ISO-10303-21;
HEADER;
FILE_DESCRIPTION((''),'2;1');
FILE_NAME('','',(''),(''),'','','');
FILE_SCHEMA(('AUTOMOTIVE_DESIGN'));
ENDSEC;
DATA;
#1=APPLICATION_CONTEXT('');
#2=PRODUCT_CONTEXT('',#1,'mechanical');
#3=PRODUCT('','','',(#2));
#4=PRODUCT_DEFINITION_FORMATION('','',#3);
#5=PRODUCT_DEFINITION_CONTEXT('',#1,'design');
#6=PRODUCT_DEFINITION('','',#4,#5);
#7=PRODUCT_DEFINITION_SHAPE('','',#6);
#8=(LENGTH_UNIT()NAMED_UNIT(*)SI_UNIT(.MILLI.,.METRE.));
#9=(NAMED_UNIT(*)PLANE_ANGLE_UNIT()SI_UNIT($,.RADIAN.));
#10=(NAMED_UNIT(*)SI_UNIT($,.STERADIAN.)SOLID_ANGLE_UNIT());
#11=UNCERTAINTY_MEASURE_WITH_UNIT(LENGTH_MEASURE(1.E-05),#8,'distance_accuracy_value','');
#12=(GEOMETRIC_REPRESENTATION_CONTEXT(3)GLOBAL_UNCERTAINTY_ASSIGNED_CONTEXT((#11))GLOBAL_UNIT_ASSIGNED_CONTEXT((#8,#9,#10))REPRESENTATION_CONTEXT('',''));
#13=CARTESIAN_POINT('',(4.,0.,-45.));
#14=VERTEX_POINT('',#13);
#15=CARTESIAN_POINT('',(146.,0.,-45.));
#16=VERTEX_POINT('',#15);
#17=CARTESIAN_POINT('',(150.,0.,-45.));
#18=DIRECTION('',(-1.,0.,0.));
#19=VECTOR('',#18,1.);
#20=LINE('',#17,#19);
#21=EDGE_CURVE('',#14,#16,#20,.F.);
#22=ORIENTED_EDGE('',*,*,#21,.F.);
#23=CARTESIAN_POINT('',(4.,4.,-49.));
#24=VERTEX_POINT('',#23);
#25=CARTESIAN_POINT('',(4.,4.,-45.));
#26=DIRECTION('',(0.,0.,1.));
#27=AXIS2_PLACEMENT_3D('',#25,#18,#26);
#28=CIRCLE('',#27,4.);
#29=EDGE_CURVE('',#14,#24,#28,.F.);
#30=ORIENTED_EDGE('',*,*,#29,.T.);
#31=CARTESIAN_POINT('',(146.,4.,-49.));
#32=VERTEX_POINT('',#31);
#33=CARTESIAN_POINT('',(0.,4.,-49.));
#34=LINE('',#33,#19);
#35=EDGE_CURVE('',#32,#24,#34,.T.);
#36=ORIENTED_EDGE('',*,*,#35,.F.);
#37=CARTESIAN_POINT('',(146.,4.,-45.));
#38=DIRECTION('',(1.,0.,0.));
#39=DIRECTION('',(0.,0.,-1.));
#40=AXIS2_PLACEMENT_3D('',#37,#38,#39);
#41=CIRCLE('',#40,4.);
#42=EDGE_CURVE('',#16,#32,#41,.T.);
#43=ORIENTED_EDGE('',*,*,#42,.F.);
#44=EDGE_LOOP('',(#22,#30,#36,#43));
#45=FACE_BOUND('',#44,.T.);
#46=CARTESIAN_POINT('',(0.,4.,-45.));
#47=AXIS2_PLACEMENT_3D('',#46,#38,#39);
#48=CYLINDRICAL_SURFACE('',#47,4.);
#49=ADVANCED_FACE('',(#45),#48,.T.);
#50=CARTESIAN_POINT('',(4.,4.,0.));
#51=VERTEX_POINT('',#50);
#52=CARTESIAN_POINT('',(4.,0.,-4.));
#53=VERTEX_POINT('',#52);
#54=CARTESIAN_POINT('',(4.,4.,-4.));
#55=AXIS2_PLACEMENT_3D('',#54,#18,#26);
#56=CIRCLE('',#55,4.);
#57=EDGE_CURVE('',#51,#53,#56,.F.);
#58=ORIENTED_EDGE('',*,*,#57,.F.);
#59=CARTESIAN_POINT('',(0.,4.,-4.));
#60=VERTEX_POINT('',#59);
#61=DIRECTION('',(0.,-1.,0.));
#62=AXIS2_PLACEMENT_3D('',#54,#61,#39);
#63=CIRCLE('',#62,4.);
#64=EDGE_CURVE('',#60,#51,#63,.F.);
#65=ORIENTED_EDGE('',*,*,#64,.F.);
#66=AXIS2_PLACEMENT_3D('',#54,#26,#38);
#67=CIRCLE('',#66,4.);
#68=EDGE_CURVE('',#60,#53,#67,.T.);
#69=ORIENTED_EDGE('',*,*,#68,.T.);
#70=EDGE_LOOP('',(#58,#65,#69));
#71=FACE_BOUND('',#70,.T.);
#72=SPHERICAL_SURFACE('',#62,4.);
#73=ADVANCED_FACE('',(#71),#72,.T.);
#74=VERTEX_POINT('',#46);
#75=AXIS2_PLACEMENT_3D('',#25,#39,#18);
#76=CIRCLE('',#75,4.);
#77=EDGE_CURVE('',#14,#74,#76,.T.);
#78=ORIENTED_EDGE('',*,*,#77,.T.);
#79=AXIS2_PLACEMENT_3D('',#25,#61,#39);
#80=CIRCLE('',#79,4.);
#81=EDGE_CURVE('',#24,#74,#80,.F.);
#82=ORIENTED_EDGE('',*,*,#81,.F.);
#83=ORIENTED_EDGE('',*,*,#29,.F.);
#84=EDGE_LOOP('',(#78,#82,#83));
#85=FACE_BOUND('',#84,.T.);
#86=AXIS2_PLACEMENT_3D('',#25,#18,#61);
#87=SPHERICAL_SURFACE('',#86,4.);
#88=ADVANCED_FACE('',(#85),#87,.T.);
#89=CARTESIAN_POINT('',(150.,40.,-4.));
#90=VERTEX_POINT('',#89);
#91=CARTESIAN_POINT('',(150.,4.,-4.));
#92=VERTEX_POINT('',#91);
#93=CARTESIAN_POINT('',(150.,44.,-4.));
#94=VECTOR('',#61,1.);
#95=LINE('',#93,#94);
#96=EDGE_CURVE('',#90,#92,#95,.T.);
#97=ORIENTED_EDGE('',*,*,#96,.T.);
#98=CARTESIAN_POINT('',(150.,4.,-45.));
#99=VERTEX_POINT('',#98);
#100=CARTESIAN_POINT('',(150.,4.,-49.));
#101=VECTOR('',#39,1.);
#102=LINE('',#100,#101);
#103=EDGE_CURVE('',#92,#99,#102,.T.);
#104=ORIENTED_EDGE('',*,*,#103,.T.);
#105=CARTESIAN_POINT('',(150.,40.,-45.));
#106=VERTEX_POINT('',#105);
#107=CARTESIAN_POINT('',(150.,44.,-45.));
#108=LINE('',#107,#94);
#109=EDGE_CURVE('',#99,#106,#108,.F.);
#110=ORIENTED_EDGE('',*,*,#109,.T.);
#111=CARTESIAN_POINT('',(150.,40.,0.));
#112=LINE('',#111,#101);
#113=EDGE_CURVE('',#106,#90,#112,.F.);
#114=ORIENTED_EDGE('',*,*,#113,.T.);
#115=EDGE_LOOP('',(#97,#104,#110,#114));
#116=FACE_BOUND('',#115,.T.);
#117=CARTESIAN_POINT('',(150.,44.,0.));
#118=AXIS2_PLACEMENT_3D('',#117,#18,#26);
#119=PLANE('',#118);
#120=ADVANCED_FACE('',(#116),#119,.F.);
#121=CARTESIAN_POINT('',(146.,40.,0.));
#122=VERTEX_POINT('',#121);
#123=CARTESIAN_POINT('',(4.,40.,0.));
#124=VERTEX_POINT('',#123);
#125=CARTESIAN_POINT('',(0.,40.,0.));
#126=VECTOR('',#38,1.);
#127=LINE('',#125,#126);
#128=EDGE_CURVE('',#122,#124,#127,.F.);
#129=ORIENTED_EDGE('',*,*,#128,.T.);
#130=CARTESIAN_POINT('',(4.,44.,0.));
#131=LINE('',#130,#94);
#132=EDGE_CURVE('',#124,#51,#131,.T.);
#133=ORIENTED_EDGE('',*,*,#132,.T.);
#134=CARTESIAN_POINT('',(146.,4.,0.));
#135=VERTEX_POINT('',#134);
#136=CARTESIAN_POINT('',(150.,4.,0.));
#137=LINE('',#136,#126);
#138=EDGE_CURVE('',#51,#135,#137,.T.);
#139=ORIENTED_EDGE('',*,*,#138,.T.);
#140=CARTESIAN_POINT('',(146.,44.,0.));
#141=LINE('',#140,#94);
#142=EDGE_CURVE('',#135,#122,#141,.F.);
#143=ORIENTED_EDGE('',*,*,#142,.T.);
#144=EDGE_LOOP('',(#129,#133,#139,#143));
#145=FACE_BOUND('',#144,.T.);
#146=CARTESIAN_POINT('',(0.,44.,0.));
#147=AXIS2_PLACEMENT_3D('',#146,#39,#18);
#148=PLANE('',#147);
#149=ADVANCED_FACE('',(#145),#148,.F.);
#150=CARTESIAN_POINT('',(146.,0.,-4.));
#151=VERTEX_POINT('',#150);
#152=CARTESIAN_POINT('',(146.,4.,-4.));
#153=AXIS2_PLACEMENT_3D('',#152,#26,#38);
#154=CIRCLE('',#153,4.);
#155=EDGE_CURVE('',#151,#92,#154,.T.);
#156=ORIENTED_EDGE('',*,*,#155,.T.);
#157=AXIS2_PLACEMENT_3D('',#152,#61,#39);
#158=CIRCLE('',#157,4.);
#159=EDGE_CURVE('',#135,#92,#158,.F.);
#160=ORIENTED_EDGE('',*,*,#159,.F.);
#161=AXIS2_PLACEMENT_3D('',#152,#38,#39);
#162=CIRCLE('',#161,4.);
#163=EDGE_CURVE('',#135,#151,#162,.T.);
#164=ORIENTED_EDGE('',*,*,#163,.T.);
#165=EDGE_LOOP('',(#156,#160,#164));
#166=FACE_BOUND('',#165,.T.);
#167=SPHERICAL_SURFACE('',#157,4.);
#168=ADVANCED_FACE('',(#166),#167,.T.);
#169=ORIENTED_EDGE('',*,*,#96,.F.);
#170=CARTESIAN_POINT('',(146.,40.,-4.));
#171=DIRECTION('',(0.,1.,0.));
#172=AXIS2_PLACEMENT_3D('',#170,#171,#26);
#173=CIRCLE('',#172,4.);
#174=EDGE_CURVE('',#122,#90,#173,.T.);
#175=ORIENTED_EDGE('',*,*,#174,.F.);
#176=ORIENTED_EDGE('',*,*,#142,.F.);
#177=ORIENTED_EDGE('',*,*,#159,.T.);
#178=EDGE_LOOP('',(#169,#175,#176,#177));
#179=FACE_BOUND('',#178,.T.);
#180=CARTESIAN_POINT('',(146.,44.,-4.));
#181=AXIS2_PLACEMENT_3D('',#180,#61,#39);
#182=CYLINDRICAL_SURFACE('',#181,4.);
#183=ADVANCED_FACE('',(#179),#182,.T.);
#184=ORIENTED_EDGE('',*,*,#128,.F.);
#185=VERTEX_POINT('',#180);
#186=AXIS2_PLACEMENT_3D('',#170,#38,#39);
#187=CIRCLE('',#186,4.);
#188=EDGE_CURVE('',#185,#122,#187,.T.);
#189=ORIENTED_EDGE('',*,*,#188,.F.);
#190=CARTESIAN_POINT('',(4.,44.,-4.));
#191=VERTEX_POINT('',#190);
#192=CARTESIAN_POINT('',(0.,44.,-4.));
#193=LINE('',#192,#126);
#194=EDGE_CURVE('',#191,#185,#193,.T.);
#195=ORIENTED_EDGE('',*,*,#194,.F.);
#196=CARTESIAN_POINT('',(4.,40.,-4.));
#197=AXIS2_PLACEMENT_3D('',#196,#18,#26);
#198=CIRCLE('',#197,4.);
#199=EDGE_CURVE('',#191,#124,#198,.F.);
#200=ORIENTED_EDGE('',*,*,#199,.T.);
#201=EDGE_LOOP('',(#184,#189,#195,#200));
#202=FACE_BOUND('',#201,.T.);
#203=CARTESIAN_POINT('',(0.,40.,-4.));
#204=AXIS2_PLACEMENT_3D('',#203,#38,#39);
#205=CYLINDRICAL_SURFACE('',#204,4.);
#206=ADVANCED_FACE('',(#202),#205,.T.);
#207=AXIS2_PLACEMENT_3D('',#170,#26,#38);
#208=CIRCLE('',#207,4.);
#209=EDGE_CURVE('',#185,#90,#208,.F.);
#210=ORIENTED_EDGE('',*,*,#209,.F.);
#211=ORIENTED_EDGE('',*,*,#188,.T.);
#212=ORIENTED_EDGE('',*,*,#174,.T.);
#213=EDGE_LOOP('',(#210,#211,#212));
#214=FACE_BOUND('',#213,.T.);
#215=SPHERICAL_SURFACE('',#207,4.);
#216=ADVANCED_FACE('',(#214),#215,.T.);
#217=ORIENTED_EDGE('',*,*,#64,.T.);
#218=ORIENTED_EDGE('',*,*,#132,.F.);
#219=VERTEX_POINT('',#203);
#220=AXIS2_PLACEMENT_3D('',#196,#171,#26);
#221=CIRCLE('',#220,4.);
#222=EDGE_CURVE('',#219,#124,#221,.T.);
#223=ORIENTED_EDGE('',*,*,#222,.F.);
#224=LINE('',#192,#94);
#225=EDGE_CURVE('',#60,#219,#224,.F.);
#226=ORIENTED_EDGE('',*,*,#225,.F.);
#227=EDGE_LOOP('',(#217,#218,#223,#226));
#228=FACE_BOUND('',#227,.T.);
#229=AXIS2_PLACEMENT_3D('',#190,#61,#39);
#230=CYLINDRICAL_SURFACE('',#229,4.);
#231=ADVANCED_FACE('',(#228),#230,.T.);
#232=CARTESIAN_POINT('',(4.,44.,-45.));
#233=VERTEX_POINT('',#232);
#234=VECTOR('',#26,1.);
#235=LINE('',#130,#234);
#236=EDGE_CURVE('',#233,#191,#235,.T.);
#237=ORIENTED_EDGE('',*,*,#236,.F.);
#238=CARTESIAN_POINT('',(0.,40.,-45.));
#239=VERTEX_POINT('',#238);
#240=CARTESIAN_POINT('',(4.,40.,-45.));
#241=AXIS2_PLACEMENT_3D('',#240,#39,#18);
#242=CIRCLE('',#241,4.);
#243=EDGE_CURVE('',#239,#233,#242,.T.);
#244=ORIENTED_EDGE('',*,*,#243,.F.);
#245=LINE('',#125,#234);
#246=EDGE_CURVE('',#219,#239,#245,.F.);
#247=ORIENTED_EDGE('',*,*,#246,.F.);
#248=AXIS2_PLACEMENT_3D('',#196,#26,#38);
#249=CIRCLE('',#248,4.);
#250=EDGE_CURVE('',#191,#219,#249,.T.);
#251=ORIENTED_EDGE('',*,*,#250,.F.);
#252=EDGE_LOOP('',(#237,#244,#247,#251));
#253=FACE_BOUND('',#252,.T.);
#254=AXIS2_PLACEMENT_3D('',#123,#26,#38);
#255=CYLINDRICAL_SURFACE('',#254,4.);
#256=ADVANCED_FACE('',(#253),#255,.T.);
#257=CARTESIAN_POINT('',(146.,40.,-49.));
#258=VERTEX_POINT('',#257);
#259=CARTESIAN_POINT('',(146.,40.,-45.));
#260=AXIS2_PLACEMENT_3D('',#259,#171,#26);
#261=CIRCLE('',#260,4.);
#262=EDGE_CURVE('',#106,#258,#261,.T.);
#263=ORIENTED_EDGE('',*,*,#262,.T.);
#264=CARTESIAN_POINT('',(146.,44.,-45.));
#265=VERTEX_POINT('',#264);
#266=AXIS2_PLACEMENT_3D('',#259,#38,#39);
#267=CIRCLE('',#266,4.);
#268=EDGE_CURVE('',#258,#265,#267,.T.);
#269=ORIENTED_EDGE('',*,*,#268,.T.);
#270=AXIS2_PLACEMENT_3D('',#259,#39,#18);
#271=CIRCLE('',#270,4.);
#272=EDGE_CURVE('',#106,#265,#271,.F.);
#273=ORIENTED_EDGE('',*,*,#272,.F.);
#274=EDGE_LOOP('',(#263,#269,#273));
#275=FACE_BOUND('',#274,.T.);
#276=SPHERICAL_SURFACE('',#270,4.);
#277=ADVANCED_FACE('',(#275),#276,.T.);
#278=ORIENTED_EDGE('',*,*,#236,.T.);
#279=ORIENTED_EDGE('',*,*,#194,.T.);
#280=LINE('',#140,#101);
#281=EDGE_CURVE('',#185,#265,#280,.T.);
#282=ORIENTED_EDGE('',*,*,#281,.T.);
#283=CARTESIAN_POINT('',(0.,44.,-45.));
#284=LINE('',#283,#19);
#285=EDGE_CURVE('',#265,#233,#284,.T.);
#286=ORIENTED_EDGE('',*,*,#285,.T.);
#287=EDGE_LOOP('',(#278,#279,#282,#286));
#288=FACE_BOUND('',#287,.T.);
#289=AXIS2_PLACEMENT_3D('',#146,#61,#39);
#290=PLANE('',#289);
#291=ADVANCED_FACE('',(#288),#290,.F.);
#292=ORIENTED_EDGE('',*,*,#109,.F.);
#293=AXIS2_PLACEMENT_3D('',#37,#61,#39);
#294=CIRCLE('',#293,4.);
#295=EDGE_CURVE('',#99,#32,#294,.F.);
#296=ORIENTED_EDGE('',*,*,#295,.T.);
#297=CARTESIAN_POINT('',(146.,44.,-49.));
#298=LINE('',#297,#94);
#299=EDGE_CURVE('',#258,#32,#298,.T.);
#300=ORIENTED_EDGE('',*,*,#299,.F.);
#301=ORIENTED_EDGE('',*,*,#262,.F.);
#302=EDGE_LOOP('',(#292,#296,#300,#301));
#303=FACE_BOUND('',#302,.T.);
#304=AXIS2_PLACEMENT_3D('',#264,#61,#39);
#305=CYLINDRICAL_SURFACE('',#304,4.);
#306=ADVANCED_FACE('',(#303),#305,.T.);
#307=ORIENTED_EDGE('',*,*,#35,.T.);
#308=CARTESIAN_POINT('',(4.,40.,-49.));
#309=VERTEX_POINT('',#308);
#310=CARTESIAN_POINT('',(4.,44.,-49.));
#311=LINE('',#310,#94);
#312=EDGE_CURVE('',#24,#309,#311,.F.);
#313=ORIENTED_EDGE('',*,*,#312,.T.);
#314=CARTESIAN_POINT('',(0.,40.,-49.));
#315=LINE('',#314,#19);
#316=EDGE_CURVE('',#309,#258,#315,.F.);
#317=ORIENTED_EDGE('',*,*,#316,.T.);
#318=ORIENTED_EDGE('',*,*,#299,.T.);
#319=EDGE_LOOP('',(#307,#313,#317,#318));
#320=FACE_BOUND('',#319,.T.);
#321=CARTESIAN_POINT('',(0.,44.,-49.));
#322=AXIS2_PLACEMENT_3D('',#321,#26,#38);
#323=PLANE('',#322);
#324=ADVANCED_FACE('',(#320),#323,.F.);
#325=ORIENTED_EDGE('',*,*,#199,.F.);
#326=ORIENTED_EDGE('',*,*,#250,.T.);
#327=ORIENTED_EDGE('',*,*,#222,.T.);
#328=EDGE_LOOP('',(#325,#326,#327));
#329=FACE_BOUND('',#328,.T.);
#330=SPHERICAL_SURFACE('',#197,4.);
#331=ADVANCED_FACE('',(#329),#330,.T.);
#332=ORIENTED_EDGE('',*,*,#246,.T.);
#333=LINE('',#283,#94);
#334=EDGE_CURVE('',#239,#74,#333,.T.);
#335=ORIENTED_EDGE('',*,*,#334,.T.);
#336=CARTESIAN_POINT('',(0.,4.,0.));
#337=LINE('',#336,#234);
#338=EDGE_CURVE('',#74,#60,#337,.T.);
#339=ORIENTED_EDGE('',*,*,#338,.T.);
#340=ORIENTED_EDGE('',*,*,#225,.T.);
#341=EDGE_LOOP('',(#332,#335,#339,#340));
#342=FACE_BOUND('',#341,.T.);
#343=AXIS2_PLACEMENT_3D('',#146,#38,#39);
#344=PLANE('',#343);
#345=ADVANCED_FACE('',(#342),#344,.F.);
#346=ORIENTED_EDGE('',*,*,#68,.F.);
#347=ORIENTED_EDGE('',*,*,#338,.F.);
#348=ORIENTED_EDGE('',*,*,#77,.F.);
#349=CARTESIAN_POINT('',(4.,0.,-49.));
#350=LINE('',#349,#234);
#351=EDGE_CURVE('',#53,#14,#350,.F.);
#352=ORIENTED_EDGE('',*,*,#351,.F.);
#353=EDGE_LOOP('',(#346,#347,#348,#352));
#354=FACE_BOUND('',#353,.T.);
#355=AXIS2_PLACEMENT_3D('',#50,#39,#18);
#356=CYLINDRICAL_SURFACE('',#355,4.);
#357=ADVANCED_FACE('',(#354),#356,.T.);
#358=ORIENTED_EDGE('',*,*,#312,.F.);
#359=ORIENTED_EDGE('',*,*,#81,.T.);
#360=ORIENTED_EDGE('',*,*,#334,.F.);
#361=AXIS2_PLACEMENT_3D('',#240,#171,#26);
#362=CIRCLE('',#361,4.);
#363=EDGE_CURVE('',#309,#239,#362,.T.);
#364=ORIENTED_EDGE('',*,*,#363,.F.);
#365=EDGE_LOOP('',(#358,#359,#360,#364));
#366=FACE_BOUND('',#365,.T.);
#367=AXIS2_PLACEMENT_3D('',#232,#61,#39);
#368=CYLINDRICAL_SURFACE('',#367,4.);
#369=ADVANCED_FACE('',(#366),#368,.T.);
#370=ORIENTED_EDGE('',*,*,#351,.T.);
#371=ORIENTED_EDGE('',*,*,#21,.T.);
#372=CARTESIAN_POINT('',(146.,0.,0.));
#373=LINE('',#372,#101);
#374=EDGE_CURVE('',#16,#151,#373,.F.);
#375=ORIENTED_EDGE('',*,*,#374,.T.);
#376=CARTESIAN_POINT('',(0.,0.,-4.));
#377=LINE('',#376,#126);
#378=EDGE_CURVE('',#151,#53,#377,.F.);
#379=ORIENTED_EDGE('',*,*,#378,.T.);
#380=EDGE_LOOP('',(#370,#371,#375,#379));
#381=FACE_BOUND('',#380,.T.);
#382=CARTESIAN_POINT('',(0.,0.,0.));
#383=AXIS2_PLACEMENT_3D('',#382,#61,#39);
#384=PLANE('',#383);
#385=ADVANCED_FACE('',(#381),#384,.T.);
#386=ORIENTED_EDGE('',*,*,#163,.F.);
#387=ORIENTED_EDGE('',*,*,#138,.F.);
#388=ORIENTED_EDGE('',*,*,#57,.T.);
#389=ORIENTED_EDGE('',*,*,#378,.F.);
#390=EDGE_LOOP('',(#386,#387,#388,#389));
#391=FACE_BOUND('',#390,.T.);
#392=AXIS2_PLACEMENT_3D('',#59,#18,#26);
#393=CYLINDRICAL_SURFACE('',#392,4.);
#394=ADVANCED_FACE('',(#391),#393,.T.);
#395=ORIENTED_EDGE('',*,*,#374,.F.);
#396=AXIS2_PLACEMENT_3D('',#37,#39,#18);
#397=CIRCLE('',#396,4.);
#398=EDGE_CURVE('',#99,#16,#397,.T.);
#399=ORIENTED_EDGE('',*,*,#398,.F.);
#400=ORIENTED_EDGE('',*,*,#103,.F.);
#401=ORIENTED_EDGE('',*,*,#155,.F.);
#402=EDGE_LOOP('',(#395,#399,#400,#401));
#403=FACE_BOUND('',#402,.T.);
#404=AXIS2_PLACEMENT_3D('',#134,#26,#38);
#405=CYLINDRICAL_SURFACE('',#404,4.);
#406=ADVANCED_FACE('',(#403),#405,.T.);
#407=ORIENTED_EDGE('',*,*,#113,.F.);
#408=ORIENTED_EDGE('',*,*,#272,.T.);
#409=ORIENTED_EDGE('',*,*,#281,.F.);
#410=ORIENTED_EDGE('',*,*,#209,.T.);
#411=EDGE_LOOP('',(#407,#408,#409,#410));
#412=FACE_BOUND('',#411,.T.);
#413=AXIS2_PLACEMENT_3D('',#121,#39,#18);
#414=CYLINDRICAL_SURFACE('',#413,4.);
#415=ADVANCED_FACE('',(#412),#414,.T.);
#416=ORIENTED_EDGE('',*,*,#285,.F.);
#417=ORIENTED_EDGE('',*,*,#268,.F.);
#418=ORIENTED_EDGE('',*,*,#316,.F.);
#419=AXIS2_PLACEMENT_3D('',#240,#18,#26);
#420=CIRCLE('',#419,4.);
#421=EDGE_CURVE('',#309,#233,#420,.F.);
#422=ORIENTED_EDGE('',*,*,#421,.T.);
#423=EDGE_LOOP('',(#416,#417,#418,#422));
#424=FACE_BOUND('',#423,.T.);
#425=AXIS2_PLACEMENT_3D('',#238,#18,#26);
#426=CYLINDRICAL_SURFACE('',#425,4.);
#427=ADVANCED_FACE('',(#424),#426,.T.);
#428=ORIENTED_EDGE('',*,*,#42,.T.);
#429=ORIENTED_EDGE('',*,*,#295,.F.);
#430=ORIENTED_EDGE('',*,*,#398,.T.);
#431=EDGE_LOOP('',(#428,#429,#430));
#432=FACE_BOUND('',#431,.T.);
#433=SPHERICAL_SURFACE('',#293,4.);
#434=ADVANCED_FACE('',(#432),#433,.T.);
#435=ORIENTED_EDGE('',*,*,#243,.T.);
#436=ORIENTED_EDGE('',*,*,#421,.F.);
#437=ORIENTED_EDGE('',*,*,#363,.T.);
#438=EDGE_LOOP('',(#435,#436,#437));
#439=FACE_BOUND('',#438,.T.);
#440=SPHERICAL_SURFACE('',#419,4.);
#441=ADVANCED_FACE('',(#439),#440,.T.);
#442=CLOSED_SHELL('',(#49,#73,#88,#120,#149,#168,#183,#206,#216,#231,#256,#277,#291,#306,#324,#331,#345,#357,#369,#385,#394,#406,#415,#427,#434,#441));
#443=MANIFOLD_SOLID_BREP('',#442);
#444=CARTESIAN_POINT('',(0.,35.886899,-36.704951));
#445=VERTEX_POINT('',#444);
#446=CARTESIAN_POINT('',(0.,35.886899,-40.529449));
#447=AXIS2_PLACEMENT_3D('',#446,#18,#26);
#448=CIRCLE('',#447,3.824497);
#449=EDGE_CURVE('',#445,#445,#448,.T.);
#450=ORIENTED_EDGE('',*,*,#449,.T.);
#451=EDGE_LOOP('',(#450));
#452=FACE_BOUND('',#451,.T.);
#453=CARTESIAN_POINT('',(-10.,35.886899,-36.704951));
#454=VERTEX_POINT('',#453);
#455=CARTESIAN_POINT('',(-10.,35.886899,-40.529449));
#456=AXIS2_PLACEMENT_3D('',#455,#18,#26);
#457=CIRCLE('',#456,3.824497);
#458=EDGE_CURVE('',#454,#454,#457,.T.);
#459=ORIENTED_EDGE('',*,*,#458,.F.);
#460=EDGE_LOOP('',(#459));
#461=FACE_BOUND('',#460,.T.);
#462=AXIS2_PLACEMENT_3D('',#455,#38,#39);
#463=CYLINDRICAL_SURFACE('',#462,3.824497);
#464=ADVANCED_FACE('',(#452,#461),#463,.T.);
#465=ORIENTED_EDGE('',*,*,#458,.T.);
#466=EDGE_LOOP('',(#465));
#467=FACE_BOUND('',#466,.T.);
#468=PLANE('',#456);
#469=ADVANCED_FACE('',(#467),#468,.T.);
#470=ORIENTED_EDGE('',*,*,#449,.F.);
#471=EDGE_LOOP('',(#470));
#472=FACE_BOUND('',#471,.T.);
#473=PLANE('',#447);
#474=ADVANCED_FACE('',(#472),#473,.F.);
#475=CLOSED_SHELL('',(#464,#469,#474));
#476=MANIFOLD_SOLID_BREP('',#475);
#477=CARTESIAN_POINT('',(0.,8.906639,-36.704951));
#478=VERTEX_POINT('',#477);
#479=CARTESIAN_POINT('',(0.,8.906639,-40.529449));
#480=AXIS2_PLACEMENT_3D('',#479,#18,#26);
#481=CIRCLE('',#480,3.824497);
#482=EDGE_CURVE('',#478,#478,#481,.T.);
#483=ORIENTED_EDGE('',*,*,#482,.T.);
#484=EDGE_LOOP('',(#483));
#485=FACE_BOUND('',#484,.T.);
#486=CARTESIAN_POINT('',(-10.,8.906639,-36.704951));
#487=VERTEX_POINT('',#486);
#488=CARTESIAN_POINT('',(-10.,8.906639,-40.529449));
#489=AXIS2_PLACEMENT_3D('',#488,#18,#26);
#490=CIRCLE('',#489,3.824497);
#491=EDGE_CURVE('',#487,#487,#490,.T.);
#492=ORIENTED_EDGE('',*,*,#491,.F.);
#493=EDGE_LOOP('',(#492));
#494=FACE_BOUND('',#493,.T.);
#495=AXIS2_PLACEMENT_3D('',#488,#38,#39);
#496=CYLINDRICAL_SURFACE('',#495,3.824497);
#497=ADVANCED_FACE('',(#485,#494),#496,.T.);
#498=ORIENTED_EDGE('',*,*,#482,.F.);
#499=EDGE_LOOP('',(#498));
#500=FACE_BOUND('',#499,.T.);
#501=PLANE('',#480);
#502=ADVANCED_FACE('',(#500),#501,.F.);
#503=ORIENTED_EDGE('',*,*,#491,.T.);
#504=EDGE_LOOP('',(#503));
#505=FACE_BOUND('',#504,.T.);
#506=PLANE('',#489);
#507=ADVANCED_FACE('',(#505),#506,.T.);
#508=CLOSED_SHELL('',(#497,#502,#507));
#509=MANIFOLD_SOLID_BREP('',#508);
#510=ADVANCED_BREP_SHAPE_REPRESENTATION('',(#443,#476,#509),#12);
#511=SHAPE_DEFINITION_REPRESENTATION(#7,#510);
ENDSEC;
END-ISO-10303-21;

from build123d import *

# Parameters (mm, degrees)
SKETCH1_W             = 150
SKETCH1_H             = 49
BOSS_EXTRUDE1_DEPTH   = 44
SKETCH2_R             = 3.824497405
BOSS_EXTRUDE2_DEPTH   = 10
BOSS_EXTRUDE2_2_DEPTH = 10
FILLET1_R             = 4


with BuildPart() as part:
    # Sketch1 → Boss-Extrude1 (new body)
    with BuildSketch(Plane(origin=(0, 0, 0), x_dir=(1, 0, 0), z_dir=(0, 1, 0))):
        with Locations((75, 24.5)):
            Rectangle(SKETCH1_W, SKETCH1_H)
    extrude(amount=BOSS_EXTRUDE1_DEPTH)

    # Fillet1
    fillet1_edges = [part.edges().sort_by_distance(p)[0] for p in [
        (150, 44, -24.5),
        (75, 44, -49),
        (0, 44, -24.5),
        (75, 0, -49),
        (150, 0, -24.5),
        (75, 0, 0),
        (0, 0, -24.5),
        (0, 22, -49),
        (150, 22, -49),
        (150, 22, 0),
        (0, 22, 0),
        (75, 44, 0),
    ]]
    fillet(fillet1_edges, radius=FILLET1_R)


with BuildPart() as body_2:
    # Sketch2 → Boss-Extrude2 (new body)
    with BuildSketch(Plane.ZY):
        with Locations((-40.529448577, 35.886898519)):
            Circle(SKETCH2_R)
    extrude(amount=BOSS_EXTRUDE2_DEPTH)


with BuildPart() as body_3:
    # Sketch2 → Boss-Extrude2 2 (new body)
    with BuildSketch(Plane.ZY):
        with Locations((-40.529448577, 8.906638539)):
            Circle(SKETCH2_R)
    extrude(amount=BOSS_EXTRUDE2_2_DEPTH)


solid = Compound([part.part, body_2.part, body_3.part])
